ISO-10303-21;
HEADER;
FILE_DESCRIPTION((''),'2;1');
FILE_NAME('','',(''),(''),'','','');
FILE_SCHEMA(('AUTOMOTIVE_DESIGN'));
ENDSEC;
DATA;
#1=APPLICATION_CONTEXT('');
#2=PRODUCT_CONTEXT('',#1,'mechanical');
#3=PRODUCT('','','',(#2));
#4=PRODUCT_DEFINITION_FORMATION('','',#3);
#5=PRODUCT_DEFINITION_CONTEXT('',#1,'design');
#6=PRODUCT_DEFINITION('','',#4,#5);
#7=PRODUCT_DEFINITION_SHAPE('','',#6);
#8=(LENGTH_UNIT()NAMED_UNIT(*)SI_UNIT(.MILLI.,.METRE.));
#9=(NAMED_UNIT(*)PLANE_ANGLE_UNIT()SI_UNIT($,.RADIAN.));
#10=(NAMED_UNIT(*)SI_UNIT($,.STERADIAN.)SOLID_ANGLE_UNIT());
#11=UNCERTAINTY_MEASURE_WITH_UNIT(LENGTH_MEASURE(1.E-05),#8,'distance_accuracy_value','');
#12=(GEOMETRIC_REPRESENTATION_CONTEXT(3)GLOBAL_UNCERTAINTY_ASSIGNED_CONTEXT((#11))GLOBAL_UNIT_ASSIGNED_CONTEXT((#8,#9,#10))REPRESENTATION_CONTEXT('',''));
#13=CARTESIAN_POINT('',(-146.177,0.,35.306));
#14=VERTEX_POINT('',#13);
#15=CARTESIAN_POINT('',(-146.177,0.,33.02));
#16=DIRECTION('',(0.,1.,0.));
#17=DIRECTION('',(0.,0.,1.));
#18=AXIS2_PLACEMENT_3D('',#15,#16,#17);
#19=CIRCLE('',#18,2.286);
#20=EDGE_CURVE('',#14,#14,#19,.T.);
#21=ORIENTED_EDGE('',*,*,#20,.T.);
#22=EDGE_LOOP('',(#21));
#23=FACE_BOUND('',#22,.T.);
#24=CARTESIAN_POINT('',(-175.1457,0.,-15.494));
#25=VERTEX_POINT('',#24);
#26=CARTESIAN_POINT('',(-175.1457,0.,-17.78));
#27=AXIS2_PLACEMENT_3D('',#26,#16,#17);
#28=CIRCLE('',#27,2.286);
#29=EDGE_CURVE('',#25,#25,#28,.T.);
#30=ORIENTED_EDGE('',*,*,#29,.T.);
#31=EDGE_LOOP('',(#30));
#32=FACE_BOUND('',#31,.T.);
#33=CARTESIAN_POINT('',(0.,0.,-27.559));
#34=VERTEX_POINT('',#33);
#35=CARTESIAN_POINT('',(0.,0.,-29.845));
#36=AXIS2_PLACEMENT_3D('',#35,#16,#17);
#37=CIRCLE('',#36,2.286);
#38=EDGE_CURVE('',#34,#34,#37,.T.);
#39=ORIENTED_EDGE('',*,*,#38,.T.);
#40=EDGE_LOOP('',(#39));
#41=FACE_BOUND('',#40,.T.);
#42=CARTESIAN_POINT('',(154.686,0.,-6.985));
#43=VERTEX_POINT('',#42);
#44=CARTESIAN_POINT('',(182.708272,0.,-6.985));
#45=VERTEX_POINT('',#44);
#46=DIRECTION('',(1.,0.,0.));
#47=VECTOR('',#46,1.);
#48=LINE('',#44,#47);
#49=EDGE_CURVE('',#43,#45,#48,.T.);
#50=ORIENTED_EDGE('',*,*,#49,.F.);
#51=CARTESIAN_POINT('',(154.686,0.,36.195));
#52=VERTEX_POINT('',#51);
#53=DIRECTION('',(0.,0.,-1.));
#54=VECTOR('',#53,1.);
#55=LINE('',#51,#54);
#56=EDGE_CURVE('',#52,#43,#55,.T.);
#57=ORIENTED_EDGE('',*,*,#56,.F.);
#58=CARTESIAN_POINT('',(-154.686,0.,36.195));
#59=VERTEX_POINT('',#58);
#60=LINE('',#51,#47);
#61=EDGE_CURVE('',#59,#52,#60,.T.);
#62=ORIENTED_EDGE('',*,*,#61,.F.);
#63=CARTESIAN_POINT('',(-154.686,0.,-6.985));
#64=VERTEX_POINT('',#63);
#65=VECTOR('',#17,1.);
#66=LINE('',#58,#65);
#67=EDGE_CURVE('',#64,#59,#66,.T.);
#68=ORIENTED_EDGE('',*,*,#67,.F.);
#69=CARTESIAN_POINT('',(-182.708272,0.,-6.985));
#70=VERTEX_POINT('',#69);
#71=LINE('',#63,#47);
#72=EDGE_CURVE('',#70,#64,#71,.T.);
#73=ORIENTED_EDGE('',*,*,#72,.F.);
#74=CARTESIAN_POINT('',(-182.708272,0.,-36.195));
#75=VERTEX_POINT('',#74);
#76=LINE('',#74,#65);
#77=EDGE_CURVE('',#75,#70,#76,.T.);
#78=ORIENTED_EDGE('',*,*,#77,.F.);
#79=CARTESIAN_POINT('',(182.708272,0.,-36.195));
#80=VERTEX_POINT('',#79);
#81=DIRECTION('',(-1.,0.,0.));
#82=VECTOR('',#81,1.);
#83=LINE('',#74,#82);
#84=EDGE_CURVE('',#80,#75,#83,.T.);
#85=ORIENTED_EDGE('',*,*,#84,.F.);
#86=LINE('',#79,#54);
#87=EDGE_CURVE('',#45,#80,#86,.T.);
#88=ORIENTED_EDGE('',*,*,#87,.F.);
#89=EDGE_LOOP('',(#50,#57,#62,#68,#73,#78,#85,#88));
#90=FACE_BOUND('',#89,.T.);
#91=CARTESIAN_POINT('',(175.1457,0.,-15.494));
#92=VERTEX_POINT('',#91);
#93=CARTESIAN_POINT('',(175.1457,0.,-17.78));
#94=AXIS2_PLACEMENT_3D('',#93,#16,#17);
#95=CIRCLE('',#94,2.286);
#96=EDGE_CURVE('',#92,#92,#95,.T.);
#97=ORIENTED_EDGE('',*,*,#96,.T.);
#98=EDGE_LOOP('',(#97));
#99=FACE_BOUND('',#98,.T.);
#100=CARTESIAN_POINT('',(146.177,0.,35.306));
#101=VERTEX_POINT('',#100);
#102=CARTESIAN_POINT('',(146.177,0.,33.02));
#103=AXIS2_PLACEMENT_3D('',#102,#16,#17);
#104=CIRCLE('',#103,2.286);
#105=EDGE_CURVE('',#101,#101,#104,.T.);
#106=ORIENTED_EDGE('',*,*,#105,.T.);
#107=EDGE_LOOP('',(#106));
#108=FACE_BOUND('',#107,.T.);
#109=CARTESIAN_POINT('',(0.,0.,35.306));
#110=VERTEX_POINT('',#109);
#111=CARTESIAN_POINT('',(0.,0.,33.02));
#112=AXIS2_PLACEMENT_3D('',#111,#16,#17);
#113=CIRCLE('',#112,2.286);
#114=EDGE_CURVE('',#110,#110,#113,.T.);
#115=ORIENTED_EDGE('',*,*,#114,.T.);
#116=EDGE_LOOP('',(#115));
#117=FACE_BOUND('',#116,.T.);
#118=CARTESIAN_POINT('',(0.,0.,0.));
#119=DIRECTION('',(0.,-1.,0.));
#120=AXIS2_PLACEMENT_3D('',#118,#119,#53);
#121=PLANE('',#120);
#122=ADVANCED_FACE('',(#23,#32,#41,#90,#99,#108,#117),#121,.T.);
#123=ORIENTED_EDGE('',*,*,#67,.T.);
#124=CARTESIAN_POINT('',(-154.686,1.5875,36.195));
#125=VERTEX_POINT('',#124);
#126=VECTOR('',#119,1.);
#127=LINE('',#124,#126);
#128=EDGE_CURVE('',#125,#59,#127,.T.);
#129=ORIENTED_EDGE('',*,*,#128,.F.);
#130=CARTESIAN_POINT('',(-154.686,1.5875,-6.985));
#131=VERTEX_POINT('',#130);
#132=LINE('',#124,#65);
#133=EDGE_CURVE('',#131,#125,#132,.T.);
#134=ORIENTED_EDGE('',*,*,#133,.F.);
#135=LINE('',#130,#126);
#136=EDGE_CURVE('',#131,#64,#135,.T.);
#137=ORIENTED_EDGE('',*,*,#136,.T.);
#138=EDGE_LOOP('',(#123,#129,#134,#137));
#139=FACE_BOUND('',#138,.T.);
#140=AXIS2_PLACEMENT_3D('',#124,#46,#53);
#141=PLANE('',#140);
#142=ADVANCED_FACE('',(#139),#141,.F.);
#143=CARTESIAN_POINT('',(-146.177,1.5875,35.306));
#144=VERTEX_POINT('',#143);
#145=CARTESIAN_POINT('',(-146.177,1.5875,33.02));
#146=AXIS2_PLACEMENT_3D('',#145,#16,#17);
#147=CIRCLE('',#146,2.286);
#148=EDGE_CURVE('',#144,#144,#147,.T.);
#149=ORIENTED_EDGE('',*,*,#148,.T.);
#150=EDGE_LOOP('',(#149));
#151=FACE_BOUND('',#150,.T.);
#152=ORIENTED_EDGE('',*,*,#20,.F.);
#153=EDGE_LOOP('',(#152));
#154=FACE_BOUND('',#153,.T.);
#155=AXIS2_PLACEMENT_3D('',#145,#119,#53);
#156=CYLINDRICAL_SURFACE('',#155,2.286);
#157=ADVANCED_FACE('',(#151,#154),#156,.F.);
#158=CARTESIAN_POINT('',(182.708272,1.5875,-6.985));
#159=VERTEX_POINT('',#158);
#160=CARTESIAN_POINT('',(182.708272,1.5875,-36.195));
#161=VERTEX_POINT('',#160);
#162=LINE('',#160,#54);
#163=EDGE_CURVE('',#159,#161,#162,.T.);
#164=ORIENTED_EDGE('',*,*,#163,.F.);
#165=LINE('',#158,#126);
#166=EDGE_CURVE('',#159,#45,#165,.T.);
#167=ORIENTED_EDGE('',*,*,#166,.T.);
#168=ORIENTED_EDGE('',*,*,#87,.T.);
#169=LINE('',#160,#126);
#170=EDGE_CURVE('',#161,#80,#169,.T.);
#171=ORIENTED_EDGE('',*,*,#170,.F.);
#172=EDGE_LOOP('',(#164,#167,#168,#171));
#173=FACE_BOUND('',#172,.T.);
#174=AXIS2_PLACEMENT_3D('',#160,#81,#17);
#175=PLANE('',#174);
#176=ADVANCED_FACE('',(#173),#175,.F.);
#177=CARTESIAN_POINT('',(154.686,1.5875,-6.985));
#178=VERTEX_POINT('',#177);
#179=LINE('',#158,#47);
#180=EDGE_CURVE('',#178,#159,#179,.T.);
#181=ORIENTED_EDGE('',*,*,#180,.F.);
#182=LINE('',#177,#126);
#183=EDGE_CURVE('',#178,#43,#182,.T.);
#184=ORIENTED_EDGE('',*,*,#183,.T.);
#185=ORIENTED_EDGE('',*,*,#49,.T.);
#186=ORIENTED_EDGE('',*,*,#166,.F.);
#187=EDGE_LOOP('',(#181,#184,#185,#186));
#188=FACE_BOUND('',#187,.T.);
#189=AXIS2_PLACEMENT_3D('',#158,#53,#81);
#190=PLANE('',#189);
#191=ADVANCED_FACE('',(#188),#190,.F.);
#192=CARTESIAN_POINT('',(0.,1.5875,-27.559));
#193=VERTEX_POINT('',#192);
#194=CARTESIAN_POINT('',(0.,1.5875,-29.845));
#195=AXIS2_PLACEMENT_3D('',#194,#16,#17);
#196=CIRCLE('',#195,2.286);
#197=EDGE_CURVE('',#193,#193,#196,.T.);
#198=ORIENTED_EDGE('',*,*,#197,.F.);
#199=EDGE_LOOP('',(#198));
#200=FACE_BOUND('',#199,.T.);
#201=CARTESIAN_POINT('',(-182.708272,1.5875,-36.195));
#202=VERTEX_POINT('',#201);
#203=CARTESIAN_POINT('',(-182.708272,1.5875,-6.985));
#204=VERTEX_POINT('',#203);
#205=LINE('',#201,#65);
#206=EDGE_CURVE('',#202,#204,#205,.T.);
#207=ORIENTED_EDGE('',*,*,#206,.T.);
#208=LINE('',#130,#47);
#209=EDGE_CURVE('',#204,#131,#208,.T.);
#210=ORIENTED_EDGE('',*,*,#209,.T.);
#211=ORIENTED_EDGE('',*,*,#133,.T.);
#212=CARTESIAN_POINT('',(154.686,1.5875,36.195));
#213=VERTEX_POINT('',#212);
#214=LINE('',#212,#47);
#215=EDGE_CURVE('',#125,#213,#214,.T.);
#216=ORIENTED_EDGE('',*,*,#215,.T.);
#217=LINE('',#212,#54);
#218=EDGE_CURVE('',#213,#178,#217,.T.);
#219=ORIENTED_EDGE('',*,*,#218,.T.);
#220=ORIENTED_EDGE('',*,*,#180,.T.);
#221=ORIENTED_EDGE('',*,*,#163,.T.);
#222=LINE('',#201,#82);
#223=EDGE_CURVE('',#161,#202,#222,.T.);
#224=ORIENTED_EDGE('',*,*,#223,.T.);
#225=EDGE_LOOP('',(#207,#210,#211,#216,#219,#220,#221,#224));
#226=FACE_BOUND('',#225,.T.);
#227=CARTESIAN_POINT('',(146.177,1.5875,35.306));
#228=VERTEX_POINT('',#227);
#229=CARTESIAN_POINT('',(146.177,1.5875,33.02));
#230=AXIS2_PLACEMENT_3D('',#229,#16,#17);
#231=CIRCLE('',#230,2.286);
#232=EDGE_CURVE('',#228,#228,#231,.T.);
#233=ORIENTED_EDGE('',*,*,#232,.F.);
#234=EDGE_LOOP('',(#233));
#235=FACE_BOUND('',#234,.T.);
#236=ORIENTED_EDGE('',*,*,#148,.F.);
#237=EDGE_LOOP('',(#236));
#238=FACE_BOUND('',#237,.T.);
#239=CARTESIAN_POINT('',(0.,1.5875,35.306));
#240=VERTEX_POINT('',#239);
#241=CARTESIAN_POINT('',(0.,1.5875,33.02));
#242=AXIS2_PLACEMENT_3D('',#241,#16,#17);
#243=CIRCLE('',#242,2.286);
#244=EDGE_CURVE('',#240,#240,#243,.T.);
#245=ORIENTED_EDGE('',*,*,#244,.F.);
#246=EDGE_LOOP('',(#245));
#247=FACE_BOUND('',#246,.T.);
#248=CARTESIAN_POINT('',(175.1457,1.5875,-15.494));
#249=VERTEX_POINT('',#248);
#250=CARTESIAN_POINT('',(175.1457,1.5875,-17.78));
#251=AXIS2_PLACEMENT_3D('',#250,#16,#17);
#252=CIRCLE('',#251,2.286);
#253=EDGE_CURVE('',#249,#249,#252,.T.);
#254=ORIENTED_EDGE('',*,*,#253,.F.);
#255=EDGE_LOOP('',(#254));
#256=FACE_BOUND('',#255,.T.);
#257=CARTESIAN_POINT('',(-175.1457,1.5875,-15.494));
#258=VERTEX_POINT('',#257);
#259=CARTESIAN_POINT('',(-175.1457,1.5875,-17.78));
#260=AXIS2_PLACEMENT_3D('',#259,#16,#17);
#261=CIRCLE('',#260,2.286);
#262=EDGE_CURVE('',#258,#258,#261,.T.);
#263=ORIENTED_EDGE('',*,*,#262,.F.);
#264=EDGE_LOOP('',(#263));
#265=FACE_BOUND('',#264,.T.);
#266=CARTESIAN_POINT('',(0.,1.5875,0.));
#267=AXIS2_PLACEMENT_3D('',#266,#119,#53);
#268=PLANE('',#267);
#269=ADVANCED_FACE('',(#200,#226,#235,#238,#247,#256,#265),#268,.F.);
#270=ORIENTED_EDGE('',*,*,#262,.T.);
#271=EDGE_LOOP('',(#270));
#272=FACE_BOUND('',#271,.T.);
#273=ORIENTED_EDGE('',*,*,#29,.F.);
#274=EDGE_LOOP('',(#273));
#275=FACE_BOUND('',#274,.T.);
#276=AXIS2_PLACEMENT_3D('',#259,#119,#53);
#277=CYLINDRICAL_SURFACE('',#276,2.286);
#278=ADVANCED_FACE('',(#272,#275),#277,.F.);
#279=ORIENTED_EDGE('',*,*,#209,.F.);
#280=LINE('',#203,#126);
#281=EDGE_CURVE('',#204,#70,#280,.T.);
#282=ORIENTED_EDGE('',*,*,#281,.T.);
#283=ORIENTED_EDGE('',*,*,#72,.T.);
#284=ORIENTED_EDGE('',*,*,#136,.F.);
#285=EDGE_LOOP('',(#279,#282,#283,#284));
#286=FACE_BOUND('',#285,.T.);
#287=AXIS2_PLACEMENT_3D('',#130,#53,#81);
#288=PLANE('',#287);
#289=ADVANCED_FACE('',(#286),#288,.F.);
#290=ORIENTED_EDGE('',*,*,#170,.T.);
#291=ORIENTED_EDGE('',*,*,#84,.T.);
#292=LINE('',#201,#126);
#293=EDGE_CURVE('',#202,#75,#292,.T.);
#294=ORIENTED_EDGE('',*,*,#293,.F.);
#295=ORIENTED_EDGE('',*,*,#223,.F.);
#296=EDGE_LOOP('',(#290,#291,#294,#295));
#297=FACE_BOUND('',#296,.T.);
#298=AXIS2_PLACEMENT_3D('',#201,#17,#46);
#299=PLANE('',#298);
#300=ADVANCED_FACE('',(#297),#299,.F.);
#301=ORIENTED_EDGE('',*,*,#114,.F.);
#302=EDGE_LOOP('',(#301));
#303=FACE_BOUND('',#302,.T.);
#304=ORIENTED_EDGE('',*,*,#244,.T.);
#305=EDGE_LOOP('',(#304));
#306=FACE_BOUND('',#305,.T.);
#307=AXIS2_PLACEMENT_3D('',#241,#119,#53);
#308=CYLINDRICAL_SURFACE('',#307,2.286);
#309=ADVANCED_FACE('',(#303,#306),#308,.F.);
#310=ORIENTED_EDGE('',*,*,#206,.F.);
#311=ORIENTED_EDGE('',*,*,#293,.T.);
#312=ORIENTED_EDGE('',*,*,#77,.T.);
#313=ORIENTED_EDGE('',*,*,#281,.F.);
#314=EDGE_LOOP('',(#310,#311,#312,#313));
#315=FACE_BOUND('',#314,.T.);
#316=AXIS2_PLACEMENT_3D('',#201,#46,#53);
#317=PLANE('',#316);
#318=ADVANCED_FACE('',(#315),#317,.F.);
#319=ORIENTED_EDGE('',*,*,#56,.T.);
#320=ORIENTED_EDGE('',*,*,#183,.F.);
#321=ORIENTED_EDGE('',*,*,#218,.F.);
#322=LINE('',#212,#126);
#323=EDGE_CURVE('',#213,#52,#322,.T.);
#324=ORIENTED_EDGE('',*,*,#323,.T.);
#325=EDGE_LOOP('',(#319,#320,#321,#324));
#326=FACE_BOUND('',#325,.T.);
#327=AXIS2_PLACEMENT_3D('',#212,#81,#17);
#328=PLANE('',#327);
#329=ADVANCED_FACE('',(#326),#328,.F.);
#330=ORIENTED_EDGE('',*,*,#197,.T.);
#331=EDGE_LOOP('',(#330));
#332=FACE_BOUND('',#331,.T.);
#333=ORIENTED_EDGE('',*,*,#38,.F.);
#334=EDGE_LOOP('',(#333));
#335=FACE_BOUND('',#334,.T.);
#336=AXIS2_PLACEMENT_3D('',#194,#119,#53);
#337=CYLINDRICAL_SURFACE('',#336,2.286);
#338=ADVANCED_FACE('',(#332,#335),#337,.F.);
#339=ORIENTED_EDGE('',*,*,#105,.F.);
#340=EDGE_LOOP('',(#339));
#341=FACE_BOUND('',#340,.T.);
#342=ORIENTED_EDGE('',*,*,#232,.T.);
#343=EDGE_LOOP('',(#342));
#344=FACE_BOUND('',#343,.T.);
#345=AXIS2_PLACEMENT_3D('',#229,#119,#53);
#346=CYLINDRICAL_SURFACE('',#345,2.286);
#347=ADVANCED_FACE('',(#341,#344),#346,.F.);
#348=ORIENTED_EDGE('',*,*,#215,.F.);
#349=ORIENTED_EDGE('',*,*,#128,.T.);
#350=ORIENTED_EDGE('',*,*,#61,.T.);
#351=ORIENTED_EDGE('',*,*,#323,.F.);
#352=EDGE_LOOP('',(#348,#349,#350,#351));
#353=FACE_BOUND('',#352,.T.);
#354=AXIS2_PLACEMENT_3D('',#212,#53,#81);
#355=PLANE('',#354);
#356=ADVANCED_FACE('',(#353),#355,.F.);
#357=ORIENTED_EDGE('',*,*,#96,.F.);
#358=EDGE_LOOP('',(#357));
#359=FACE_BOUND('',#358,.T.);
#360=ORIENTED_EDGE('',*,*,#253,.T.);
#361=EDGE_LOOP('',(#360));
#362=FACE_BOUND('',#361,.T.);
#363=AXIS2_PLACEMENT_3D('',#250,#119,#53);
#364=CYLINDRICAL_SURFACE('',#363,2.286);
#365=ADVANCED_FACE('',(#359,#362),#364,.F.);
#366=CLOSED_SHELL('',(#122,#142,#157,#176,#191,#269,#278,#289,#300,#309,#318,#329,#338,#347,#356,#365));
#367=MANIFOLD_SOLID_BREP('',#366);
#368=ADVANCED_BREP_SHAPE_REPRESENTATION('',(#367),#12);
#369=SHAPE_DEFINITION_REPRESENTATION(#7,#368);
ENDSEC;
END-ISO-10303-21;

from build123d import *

# Parameters (mm, degrees)
SKETCH1_R           = 2.286
BOSS_EXTRUDE1_DEPTH = 1.5875


with BuildPart() as part:
    # Sketch1 → Boss-Extrude1 (new body)
    with BuildSketch(Plane(origin=(0, 0, 0), x_dir=(1, 0, 0), z_dir=(0, 1, 0))):
        Polygon((-154.686, -36.195), (-154.686, 6.985), (-182.708271591, 6.985), (-182.708271591, 36.195), (182.708271591, 36.195), (182.708271591, 6.985), (154.686, 6.985), (154.686, -36.195), align=None)
        with Locations(Location((175.1457, 17.78, 0), (0, 0, 270))):
            Circle(SKETCH1_R, mode=Mode.SUBTRACT)
        with Locations(Location((0, 29.845, 0), (0, 0, 270))):
            Circle(SKETCH1_R, mode=Mode.SUBTRACT)
        with Locations(Location((146.177, -33.02, 0), (0, 0, 270))):
            Circle(SKETCH1_R, mode=Mode.SUBTRACT)
        with Locations(Location((-175.1457, 17.78, 0), (0, 0, 270))):
            Circle(SKETCH1_R, mode=Mode.SUBTRACT)
        with Locations(Location((0, -33.02, 0), (0, 0, 270))):
            Circle(SKETCH1_R, mode=Mode.SUBTRACT)
        with Locations(Location((-146.177, -33.02, 0), (0, 0, 270))):
            Circle(SKETCH1_R, mode=Mode.SUBTRACT)
    extrude(amount=BOSS_EXTRUDE1_DEPTH)


solid = part.part
